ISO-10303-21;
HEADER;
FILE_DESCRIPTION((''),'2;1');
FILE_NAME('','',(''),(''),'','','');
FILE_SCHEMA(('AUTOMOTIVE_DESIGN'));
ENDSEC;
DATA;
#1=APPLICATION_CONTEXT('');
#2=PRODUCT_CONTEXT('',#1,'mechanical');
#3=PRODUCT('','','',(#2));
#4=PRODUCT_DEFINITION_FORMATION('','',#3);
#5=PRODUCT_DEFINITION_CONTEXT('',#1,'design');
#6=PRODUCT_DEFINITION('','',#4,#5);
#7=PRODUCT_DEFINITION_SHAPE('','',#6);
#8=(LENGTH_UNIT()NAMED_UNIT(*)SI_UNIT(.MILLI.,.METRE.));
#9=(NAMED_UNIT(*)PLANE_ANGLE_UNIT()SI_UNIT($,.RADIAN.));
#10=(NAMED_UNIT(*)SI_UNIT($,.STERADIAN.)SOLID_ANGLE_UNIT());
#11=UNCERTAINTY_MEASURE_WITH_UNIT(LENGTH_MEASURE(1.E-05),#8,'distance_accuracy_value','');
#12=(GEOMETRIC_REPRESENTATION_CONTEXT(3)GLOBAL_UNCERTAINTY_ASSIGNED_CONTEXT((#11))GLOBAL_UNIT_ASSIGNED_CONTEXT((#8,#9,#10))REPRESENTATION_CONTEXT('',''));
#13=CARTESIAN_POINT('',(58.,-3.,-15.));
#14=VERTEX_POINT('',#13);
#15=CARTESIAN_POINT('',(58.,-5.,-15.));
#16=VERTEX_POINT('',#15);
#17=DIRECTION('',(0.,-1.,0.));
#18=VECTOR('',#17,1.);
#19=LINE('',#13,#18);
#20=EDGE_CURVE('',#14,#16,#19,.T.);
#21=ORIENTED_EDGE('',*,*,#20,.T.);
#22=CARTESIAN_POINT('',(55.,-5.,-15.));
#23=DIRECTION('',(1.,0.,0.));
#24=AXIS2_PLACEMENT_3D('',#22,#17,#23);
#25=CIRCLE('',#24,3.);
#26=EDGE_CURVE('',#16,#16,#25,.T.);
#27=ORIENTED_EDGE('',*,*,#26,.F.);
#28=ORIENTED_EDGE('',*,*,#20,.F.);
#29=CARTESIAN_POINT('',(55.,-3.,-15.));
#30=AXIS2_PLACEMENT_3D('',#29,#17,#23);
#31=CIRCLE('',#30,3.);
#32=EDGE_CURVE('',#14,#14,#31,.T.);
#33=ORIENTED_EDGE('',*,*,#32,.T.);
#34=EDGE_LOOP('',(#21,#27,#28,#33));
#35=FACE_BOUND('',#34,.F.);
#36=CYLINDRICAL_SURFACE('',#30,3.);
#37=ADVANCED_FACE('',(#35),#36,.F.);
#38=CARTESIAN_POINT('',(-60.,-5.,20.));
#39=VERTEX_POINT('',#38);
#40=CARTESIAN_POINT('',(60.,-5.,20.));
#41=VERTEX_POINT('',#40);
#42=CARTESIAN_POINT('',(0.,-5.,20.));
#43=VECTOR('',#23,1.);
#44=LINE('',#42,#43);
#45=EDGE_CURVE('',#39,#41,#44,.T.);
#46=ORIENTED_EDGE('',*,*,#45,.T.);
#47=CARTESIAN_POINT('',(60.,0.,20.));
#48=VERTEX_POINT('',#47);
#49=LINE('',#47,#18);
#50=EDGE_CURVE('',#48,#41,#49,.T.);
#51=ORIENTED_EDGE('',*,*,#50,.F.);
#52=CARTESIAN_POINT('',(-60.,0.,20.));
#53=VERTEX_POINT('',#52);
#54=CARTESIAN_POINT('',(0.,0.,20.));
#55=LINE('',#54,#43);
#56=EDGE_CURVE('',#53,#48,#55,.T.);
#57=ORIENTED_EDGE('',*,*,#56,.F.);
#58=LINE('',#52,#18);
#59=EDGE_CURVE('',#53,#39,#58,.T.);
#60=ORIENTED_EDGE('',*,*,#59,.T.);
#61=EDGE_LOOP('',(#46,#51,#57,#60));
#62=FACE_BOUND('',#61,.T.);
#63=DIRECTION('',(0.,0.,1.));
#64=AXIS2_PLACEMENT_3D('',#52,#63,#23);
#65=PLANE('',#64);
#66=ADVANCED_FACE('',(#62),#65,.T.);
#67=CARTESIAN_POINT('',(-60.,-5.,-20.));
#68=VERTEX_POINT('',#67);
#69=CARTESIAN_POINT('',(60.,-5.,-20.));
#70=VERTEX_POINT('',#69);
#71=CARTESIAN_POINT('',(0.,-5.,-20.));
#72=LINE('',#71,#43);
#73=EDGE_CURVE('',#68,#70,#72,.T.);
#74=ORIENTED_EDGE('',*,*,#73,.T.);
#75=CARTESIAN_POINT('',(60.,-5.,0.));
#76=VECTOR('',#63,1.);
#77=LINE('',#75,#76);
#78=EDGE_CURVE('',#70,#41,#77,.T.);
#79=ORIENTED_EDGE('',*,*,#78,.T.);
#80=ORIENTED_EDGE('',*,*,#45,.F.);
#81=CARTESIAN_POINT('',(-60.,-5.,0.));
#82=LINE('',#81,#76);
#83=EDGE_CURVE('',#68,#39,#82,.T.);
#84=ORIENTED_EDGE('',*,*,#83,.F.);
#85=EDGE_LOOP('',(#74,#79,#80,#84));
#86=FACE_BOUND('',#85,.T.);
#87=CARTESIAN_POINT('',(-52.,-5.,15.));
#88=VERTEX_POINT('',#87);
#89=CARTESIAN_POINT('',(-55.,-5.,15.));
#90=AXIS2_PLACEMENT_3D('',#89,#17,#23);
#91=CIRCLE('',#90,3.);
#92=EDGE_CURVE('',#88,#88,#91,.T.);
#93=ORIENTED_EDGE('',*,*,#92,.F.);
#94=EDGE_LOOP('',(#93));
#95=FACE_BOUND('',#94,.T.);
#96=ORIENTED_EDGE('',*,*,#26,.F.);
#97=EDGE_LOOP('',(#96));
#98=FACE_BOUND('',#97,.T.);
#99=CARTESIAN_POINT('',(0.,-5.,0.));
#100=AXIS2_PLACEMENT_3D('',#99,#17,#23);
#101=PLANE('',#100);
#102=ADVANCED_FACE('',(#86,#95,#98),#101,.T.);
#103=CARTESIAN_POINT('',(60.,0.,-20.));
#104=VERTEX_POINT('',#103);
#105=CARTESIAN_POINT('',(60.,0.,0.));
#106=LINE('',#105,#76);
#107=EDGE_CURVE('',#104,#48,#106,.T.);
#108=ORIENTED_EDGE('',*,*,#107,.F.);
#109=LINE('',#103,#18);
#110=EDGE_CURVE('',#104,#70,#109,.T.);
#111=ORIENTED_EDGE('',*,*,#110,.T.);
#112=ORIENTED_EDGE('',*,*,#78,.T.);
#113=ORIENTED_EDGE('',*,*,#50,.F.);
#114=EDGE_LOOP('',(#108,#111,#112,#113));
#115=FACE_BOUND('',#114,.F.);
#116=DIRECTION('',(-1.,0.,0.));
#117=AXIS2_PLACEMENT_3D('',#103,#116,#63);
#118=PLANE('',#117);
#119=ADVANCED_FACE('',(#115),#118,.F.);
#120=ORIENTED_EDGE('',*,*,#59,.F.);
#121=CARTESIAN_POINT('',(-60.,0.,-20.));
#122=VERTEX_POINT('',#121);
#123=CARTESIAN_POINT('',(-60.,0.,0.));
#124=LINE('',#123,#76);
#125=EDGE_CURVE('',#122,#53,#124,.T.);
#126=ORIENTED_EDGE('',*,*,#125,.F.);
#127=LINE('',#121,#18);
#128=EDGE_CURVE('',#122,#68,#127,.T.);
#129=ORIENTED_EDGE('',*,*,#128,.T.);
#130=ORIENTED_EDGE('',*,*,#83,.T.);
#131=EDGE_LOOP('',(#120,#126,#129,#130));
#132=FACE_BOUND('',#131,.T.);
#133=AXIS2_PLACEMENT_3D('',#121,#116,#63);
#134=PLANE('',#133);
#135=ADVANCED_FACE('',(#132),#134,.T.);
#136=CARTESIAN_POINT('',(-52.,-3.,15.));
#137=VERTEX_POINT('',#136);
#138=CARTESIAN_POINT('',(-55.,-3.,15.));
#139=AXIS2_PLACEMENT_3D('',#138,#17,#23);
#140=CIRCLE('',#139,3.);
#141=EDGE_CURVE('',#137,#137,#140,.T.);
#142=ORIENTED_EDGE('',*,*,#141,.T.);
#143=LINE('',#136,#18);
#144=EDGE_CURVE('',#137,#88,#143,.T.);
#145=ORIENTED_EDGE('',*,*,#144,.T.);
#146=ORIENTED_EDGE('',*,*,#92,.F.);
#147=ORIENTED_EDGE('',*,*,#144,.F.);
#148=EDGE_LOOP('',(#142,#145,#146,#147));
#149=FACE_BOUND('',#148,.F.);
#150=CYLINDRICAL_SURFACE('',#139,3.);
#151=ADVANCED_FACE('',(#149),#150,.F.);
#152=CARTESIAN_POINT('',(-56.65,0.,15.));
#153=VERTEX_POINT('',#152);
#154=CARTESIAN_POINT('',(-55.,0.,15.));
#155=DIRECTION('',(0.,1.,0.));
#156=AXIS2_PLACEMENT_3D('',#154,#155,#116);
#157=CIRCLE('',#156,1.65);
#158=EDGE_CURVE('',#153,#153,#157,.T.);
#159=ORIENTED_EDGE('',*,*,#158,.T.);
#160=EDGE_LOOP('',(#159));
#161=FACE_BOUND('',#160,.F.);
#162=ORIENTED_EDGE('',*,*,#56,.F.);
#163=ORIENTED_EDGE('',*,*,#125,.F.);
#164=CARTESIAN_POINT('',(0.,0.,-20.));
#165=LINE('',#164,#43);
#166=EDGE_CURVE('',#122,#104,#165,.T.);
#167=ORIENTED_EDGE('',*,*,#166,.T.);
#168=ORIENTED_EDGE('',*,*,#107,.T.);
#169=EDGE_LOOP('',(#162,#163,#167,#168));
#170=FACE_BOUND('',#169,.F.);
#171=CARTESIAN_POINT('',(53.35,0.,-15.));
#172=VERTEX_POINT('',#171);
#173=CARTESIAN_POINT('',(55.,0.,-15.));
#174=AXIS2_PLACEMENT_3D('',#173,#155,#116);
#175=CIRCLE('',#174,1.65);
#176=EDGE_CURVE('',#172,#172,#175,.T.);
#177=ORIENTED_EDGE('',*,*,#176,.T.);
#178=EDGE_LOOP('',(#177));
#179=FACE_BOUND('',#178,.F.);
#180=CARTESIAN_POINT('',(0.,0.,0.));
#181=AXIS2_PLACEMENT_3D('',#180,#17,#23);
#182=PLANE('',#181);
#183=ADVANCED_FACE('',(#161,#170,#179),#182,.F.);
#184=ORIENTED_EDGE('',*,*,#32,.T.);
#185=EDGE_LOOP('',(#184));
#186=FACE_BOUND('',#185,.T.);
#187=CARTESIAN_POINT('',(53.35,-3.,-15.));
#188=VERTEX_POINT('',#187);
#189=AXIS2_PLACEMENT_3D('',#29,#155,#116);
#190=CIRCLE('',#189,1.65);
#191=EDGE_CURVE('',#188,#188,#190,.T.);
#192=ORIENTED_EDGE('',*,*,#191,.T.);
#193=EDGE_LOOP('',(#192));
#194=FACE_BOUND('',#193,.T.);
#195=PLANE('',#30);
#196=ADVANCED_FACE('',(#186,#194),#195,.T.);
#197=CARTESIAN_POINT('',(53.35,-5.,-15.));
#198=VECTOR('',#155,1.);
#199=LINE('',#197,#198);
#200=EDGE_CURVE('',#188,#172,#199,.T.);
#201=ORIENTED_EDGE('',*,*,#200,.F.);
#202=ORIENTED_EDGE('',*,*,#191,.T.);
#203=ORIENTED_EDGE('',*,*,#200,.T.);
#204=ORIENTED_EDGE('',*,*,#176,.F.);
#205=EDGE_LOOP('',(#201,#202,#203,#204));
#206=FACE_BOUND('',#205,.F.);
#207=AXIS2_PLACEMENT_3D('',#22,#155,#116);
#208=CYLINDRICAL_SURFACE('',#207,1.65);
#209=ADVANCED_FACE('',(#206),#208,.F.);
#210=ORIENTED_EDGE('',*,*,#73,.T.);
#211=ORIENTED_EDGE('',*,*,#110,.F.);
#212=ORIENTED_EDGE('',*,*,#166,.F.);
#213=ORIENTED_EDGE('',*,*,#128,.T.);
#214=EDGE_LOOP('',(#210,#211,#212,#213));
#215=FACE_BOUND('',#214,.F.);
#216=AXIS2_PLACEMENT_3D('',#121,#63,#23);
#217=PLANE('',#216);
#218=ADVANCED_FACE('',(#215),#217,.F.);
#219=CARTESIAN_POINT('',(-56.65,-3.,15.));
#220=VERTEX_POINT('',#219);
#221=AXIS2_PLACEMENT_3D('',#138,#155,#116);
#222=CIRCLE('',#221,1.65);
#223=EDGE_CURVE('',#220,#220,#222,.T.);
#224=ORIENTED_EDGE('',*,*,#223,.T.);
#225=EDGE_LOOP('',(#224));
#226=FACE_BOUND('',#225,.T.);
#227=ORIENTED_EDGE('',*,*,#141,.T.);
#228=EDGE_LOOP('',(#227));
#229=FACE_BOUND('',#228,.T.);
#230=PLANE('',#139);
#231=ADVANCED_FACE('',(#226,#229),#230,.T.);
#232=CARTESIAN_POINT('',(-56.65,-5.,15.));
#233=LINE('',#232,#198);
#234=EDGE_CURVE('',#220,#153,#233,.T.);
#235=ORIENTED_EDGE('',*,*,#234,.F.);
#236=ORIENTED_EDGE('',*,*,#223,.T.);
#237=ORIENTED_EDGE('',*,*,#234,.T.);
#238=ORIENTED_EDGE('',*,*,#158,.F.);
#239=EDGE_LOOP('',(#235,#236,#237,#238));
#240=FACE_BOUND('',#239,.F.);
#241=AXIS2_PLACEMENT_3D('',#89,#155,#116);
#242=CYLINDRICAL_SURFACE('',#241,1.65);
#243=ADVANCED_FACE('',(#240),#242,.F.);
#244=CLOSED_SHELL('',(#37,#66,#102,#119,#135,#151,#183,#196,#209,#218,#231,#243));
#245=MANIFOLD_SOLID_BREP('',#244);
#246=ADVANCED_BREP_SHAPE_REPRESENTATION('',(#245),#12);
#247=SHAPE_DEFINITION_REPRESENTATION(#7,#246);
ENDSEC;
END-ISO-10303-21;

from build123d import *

# Parameters (mm, degrees)
F0_W           = 120
F0_H           = 40
F1_DEPTH       = 5
F3_D           = 3.3
F3_CBORE_D     = 6
F3_CBORE_DEPTH = 2


with BuildPart() as f1:
    # F0 (on Front) → F1 (new body)
    with BuildSketch(Plane.XZ):
        Rectangle(F0_W, F0_H)
    extrude(amount=F1_DEPTH)

    # F3 (through all)
    with Locations(Plane.XZ.offset(5)):
        with Locations((-55, 15), (55, -15)):
            CounterBoreHole(F3_D / 2, F3_CBORE_D / 2, F3_CBORE_DEPTH)


solid = f1.part
